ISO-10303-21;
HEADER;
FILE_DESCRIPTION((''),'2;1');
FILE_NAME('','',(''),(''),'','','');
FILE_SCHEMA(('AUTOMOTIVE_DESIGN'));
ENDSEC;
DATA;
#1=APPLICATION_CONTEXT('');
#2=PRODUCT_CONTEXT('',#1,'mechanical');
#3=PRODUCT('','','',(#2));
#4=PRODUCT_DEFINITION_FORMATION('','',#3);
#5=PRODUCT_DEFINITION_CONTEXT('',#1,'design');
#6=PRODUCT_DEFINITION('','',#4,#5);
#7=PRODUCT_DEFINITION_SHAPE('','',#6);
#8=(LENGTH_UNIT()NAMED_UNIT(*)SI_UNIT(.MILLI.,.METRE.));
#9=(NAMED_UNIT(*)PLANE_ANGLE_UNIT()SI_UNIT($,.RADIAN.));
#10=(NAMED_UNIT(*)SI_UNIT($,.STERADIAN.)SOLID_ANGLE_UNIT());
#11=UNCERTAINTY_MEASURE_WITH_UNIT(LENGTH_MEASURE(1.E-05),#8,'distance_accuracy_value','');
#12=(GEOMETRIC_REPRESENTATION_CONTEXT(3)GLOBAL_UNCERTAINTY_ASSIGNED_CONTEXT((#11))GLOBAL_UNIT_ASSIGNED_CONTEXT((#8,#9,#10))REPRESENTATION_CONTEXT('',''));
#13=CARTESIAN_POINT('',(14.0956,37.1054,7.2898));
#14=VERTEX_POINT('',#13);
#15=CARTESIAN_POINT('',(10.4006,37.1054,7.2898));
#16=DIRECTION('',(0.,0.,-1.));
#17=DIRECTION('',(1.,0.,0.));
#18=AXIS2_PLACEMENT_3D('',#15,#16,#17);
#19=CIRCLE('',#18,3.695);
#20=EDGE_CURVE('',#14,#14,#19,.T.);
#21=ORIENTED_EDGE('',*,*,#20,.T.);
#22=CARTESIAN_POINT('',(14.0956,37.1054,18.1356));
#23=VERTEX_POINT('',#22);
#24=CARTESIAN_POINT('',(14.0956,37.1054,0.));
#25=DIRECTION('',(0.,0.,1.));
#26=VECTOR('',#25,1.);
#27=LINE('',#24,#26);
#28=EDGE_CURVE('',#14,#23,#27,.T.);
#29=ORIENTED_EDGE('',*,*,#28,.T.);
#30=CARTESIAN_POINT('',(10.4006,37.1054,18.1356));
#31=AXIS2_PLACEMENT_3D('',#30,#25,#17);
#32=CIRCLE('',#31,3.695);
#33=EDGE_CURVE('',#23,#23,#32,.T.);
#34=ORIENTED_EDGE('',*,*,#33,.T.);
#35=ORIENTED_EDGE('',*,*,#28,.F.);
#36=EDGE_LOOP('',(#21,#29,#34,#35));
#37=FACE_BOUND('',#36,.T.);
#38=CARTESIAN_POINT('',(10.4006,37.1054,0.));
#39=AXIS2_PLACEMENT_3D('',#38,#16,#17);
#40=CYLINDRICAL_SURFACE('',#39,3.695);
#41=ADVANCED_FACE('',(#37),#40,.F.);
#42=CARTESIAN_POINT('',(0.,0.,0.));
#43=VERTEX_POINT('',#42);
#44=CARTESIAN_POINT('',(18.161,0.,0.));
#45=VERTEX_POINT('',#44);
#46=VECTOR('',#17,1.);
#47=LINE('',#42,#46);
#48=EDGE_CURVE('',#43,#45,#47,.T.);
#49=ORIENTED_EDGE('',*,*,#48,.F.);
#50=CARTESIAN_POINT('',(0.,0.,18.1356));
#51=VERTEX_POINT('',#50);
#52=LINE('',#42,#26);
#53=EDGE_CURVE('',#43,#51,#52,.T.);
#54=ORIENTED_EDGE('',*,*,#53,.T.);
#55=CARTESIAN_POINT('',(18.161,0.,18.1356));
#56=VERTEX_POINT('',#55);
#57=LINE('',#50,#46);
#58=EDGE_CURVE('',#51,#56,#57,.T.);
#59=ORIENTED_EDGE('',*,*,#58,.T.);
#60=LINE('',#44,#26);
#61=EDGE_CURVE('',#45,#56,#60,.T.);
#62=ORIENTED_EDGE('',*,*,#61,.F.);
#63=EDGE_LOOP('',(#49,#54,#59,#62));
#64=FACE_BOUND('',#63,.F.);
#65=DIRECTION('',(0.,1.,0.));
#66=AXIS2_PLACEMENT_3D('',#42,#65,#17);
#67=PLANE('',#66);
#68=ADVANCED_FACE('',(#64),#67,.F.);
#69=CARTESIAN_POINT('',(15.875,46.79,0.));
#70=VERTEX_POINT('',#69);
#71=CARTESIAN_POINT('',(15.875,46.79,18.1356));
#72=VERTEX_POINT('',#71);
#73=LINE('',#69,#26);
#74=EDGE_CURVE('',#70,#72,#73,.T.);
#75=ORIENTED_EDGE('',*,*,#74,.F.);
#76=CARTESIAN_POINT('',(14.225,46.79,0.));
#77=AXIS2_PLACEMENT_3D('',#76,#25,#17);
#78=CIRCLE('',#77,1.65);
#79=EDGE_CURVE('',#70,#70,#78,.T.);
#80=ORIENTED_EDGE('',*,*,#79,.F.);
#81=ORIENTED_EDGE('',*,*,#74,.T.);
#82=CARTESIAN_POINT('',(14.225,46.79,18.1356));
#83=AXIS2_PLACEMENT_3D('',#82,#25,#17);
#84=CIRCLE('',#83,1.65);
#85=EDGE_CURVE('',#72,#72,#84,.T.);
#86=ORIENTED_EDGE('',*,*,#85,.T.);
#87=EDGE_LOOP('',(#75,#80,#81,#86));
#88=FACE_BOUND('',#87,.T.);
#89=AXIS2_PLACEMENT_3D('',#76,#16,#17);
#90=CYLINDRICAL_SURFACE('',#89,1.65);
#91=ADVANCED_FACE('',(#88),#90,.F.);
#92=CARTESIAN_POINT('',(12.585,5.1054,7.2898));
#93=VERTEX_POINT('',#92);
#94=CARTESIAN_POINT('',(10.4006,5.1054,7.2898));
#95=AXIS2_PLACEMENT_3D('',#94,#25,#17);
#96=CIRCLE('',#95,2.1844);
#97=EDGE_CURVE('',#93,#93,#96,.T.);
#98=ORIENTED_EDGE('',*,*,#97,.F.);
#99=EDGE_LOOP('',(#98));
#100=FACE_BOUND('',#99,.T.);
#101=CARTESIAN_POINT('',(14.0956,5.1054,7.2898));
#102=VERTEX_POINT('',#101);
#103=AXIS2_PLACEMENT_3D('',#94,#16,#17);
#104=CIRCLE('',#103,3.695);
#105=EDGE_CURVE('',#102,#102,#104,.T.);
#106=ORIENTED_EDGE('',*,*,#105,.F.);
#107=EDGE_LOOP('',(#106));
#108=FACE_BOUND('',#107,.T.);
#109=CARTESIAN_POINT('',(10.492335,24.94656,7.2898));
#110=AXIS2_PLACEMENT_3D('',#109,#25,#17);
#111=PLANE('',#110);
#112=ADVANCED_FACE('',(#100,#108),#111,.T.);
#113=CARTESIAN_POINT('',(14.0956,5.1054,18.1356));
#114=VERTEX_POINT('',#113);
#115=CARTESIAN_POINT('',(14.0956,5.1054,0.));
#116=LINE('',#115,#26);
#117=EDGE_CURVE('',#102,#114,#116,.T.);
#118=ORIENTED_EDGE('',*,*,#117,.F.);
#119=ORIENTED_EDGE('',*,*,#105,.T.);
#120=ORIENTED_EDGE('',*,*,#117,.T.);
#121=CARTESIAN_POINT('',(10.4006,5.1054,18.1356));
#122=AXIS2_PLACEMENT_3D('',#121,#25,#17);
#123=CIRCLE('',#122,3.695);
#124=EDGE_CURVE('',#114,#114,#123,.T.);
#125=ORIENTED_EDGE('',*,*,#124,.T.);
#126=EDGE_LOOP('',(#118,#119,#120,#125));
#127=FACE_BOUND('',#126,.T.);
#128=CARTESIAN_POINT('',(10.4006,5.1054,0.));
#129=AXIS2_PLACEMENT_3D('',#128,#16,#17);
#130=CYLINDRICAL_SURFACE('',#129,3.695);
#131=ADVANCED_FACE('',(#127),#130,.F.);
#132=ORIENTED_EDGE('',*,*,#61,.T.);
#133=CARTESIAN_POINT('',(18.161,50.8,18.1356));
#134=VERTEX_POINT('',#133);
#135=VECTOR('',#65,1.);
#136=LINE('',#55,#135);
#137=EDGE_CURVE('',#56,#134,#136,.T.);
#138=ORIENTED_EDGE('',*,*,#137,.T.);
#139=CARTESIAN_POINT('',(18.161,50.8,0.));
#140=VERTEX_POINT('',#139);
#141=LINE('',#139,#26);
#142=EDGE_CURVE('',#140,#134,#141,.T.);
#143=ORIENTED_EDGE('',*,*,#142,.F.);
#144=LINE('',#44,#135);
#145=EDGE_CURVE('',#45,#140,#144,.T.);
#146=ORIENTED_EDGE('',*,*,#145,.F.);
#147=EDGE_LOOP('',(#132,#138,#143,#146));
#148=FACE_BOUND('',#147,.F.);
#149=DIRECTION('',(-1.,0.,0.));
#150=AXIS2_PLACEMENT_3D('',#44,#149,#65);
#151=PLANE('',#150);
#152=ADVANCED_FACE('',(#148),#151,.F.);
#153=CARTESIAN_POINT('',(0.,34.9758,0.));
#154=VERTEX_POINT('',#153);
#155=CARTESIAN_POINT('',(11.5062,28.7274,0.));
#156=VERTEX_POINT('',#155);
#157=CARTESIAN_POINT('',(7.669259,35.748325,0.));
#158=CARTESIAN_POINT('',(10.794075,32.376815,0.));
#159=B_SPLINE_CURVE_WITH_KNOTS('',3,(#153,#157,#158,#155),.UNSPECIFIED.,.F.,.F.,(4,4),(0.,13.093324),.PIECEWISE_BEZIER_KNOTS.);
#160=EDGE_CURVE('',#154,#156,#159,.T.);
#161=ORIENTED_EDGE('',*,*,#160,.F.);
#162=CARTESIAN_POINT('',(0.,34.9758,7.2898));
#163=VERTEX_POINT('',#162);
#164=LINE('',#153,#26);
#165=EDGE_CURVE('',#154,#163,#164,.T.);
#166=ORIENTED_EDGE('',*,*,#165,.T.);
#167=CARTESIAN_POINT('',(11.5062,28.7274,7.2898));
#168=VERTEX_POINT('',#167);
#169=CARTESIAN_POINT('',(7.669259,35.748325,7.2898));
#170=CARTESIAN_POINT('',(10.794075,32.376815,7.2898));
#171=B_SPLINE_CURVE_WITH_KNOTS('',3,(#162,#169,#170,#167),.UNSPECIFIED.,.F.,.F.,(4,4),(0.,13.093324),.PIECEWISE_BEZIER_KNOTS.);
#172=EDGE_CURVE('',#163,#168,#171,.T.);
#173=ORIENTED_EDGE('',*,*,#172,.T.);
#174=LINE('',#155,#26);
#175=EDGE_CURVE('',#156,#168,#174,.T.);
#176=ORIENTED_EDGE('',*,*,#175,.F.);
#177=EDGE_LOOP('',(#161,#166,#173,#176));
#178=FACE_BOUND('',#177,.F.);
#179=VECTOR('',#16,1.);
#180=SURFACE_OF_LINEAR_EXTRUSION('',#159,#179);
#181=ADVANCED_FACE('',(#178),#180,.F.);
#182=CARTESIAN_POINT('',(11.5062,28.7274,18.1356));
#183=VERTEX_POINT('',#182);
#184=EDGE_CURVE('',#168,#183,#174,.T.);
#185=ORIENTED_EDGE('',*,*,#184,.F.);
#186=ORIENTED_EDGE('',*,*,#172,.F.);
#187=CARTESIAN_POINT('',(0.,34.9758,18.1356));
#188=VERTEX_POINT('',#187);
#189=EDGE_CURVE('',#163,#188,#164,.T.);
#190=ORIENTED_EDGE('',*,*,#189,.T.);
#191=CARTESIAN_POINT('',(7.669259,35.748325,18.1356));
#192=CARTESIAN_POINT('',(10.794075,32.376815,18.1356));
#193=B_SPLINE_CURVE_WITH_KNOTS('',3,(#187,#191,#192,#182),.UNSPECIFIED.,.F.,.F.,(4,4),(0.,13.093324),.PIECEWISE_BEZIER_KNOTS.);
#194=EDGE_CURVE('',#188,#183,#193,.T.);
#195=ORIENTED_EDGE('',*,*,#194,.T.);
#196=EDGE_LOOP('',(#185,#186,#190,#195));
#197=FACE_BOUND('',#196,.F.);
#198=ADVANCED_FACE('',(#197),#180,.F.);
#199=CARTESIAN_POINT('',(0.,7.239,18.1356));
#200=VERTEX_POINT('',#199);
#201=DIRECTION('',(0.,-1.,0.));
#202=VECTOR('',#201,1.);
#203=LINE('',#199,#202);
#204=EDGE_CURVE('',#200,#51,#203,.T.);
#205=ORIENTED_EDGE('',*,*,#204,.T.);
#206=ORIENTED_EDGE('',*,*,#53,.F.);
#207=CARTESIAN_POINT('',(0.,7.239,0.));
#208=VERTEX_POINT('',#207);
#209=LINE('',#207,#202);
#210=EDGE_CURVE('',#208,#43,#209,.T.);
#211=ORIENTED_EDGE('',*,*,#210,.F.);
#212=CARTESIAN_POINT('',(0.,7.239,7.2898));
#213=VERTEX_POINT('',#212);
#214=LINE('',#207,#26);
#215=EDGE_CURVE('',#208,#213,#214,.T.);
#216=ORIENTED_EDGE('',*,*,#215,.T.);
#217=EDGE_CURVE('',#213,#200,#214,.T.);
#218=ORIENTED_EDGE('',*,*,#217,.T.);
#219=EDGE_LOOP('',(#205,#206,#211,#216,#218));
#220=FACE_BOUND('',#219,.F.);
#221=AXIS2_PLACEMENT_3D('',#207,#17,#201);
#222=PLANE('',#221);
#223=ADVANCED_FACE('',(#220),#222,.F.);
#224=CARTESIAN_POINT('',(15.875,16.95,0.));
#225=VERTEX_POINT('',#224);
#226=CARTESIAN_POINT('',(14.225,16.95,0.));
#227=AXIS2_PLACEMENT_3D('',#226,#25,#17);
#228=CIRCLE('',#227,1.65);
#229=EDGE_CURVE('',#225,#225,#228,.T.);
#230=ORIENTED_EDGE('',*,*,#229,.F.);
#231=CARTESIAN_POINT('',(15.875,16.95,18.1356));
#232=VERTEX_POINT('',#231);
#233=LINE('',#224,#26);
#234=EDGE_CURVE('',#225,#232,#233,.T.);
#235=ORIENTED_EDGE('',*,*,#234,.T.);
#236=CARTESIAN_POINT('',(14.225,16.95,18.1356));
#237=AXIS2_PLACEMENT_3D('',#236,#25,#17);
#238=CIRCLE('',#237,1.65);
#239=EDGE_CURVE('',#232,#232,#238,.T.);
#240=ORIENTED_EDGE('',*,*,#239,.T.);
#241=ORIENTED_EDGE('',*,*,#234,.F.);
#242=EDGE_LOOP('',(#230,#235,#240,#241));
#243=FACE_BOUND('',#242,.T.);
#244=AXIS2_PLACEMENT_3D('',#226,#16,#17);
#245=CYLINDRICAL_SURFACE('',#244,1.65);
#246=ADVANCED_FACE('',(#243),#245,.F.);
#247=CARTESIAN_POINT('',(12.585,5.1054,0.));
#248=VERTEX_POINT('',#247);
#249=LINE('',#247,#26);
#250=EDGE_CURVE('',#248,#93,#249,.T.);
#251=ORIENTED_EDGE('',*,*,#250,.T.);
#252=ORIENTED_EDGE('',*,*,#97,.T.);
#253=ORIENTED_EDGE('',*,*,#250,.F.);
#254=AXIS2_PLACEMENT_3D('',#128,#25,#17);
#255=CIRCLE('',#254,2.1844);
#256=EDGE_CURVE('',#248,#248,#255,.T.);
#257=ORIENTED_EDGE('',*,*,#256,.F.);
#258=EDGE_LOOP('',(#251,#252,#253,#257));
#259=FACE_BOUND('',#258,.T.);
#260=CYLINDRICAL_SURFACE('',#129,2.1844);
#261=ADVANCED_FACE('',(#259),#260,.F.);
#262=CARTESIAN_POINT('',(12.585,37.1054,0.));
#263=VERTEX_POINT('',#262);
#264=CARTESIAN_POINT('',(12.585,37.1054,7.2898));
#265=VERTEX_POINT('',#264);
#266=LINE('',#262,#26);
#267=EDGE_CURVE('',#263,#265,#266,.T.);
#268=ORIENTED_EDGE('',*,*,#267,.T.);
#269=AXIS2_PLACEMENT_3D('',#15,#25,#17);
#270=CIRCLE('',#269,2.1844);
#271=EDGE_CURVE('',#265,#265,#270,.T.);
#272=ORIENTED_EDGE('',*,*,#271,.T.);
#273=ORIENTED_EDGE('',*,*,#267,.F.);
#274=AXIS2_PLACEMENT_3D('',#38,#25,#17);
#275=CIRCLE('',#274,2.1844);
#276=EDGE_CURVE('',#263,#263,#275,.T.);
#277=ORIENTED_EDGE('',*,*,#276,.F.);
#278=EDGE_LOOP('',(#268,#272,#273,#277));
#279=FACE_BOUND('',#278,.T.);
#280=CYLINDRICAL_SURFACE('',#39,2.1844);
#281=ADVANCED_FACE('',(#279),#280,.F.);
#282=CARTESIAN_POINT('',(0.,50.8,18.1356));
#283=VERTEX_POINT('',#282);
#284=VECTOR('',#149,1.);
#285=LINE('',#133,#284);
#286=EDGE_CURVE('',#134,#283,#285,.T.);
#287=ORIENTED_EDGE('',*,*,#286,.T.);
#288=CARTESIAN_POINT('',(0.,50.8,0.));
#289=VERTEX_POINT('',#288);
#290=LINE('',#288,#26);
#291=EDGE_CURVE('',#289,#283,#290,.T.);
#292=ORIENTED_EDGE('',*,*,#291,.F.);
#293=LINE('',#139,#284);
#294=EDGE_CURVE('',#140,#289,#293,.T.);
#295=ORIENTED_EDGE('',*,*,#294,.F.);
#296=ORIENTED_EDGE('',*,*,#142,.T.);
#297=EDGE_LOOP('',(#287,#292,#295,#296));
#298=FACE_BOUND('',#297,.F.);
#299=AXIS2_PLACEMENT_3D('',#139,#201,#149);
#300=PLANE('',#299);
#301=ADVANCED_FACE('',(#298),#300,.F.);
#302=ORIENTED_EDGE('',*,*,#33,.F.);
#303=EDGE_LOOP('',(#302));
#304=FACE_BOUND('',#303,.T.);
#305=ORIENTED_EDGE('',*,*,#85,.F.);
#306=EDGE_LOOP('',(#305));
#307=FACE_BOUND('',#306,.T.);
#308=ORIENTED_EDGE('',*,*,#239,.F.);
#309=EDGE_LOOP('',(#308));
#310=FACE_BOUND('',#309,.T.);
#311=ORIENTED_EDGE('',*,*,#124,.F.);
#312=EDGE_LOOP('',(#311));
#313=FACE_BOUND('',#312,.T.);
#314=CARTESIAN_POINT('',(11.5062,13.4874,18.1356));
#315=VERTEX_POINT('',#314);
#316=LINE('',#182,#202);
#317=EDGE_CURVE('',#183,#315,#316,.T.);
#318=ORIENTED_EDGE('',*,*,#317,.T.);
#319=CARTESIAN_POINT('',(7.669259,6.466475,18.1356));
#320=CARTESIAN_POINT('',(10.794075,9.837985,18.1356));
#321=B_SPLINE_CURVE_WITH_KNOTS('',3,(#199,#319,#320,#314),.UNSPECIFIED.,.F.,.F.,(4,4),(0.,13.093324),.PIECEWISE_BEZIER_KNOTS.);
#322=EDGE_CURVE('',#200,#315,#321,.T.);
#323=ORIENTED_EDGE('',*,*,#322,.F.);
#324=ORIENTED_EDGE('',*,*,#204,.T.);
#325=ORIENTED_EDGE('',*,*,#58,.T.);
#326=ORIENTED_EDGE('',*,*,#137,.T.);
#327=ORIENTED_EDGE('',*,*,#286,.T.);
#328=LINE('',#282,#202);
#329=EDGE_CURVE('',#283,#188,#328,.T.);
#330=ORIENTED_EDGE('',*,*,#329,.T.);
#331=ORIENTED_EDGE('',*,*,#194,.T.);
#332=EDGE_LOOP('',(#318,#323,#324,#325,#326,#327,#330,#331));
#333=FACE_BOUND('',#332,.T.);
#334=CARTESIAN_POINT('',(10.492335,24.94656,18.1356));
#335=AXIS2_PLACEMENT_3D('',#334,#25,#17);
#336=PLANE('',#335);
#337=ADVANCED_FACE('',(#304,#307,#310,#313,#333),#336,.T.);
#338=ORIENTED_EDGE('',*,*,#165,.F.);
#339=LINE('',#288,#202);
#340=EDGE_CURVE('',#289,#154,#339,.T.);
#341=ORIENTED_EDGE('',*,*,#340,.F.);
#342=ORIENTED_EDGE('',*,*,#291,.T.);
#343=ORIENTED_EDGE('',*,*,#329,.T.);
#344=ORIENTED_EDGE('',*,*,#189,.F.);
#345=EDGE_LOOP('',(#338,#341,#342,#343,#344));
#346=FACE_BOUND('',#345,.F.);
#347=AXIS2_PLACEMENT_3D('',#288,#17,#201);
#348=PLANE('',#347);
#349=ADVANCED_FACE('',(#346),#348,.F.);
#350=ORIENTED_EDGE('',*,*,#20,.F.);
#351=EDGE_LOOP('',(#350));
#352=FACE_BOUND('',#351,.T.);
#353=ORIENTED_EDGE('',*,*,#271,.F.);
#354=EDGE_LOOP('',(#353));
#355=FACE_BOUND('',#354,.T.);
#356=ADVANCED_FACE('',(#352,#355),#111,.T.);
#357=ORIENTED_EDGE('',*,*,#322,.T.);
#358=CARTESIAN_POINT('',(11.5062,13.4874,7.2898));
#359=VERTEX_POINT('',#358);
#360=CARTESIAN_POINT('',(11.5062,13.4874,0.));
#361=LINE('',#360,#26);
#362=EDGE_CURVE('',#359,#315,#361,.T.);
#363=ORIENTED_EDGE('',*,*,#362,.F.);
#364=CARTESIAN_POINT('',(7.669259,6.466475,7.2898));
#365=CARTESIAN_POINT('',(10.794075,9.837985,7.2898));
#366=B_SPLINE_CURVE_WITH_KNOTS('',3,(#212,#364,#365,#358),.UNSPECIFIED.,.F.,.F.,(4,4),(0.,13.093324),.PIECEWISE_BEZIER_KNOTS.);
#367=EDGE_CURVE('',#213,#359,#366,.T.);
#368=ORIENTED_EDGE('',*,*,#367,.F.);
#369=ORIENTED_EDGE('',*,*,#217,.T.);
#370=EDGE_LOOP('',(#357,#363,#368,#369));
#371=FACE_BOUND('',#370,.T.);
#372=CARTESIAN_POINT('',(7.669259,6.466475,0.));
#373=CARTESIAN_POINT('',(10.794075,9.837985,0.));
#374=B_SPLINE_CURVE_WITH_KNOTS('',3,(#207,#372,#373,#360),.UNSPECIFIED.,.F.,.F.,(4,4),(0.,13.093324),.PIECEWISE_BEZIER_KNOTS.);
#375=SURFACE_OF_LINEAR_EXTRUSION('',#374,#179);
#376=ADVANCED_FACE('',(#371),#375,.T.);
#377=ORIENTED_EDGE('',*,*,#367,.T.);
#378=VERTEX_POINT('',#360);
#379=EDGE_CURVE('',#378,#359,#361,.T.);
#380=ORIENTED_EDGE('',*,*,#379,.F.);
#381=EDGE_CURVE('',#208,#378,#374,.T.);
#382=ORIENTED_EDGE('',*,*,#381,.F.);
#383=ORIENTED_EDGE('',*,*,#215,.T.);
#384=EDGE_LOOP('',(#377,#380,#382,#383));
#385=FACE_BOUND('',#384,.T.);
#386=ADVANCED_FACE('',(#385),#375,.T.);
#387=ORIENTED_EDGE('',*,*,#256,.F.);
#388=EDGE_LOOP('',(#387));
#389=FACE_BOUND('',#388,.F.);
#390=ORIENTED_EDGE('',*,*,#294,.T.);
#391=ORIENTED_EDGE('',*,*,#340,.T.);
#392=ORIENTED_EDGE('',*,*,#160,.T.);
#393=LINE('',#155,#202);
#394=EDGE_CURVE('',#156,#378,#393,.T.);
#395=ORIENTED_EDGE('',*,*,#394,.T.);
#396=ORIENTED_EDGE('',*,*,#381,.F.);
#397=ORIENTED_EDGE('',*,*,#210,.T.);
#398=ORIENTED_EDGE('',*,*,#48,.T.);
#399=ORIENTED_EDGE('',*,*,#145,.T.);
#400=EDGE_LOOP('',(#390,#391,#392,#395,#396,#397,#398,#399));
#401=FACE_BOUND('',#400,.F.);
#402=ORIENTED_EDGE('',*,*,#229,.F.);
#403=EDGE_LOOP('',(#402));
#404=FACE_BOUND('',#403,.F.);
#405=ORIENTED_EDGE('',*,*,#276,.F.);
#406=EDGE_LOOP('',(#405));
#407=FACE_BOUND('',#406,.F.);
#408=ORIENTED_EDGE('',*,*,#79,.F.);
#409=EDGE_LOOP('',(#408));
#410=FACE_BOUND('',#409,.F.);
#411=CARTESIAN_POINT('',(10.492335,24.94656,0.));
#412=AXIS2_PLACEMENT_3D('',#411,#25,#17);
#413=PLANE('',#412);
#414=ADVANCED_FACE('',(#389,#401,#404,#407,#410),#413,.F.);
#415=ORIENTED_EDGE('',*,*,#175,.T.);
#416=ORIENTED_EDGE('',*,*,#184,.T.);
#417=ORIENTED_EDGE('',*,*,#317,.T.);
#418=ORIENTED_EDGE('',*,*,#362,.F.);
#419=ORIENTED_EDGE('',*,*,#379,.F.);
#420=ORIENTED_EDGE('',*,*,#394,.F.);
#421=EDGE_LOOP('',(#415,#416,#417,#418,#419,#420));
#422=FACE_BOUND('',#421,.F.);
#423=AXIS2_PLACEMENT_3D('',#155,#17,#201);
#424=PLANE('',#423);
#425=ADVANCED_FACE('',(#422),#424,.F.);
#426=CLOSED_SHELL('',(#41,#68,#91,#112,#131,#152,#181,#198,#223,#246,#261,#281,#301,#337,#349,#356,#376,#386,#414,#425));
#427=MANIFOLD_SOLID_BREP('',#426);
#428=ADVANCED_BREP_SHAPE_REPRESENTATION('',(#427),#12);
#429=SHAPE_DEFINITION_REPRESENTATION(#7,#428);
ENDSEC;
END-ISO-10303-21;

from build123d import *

# Parameters (mm, degrees)
F0_R     = 3.695
F0_R_2   = 1.65
F0_R_3   = 2.1844
F1_DEPTH = 7.2898
F2_DEPTH = 18.1356


with BuildPart() as f1:
    # F0 (on Top) → F1 (new body)
    with BuildSketch(Plane.XY):
        with BuildLine():
            Line((0, 7.239), (0, 0))
            Line((0, 0), (18.161, 0))
            Line((18.161, 0), (18.161, 50.8))
            Line((18.161, 50.8), (0, 50.8))
            Line((0, 50.8), (0, 34.9758))
            add(Edge.make_bspline(
                [(0, 34.9758), (7.669259, 35.748325), (10.794075, 32.376815), (11.5062, 28.7274)],
                knots=[0, 0, 0, 0, 13.093324, 13.093324, 13.093324, 13.093324], degree=3))
            Line((11.5062, 28.7274), (11.5062, 21.1074))
            Line((11.5062, 21.1074), (11.5062, 13.4874))
            add(Edge.make_bspline(
                [(0, 7.239), (7.669259, 6.466475), (10.794075, 9.837985), (11.5062, 13.4874)],
                knots=[0, 0, 0, 0, 13.093324, 13.093324, 13.093324, 13.093324], degree=3))
        make_face()
        with Locations((10.4006, 5.1054)):
            Circle(F0_R, mode=Mode.SUBTRACT)
        with Locations((14.225, 16.95)):
            Circle(F0_R_2, mode=Mode.SUBTRACT)
        with Locations((10.4006, 37.1054)):
            Circle(F0_R, mode=Mode.SUBTRACT)
        with Locations((14.225, 46.79)):
            Circle(F0_R_2, mode=Mode.SUBTRACT)
        with Locations((10.4006, 37.1054)):
            Circle(F0_R)
        with Locations((10.4006, 37.1054)):
            Circle(F0_R_3, mode=Mode.SUBTRACT)
        with Locations((10.4006, 5.1054)):
            Circle(F0_R)
        with Locations((10.4006, 5.1054)):
            Circle(F0_R_3, mode=Mode.SUBTRACT)
    extrude(amount=F1_DEPTH)

    # F0 (on Top) → F2 (join)
    with BuildSketch(Plane.XY):
        with BuildLine():
            Line((0, 7.239), (0, 0))
            Line((0, 0), (18.161, 0))
            Line((18.161, 0), (18.161, 50.8))
            Line((18.161, 50.8), (0, 50.8))
            Line((0, 50.8), (0, 34.9758))
            add(Edge.make_bspline(
                [(0, 34.9758), (7.669259, 35.748325), (10.794075, 32.376815), (11.5062, 28.7274)],
                knots=[0, 0, 0, 0, 13.093324, 13.093324, 13.093324, 13.093324], degree=3))
            Line((11.5062, 28.7274), (11.5062, 21.1074))
            Line((11.5062, 21.1074), (11.5062, 13.4874))
            add(Edge.make_bspline(
                [(0, 7.239), (7.669259, 6.466475), (10.794075, 9.837985), (11.5062, 13.4874)],
                knots=[0, 0, 0, 0, 13.093324, 13.093324, 13.093324, 13.093324], degree=3))
        make_face()
        with Locations((10.4006, 5.1054)):
            Circle(F0_R, mode=Mode.SUBTRACT)
        with Locations((14.225, 16.95)):
            Circle(F0_R_2, mode=Mode.SUBTRACT)
        with Locations((10.4006, 37.1054)):
            Circle(F0_R, mode=Mode.SUBTRACT)
        with Locations((14.225, 46.79)):
            Circle(F0_R_2, mode=Mode.SUBTRACT)
    extrude(amount=F2_DEPTH)


solid = f1.part
